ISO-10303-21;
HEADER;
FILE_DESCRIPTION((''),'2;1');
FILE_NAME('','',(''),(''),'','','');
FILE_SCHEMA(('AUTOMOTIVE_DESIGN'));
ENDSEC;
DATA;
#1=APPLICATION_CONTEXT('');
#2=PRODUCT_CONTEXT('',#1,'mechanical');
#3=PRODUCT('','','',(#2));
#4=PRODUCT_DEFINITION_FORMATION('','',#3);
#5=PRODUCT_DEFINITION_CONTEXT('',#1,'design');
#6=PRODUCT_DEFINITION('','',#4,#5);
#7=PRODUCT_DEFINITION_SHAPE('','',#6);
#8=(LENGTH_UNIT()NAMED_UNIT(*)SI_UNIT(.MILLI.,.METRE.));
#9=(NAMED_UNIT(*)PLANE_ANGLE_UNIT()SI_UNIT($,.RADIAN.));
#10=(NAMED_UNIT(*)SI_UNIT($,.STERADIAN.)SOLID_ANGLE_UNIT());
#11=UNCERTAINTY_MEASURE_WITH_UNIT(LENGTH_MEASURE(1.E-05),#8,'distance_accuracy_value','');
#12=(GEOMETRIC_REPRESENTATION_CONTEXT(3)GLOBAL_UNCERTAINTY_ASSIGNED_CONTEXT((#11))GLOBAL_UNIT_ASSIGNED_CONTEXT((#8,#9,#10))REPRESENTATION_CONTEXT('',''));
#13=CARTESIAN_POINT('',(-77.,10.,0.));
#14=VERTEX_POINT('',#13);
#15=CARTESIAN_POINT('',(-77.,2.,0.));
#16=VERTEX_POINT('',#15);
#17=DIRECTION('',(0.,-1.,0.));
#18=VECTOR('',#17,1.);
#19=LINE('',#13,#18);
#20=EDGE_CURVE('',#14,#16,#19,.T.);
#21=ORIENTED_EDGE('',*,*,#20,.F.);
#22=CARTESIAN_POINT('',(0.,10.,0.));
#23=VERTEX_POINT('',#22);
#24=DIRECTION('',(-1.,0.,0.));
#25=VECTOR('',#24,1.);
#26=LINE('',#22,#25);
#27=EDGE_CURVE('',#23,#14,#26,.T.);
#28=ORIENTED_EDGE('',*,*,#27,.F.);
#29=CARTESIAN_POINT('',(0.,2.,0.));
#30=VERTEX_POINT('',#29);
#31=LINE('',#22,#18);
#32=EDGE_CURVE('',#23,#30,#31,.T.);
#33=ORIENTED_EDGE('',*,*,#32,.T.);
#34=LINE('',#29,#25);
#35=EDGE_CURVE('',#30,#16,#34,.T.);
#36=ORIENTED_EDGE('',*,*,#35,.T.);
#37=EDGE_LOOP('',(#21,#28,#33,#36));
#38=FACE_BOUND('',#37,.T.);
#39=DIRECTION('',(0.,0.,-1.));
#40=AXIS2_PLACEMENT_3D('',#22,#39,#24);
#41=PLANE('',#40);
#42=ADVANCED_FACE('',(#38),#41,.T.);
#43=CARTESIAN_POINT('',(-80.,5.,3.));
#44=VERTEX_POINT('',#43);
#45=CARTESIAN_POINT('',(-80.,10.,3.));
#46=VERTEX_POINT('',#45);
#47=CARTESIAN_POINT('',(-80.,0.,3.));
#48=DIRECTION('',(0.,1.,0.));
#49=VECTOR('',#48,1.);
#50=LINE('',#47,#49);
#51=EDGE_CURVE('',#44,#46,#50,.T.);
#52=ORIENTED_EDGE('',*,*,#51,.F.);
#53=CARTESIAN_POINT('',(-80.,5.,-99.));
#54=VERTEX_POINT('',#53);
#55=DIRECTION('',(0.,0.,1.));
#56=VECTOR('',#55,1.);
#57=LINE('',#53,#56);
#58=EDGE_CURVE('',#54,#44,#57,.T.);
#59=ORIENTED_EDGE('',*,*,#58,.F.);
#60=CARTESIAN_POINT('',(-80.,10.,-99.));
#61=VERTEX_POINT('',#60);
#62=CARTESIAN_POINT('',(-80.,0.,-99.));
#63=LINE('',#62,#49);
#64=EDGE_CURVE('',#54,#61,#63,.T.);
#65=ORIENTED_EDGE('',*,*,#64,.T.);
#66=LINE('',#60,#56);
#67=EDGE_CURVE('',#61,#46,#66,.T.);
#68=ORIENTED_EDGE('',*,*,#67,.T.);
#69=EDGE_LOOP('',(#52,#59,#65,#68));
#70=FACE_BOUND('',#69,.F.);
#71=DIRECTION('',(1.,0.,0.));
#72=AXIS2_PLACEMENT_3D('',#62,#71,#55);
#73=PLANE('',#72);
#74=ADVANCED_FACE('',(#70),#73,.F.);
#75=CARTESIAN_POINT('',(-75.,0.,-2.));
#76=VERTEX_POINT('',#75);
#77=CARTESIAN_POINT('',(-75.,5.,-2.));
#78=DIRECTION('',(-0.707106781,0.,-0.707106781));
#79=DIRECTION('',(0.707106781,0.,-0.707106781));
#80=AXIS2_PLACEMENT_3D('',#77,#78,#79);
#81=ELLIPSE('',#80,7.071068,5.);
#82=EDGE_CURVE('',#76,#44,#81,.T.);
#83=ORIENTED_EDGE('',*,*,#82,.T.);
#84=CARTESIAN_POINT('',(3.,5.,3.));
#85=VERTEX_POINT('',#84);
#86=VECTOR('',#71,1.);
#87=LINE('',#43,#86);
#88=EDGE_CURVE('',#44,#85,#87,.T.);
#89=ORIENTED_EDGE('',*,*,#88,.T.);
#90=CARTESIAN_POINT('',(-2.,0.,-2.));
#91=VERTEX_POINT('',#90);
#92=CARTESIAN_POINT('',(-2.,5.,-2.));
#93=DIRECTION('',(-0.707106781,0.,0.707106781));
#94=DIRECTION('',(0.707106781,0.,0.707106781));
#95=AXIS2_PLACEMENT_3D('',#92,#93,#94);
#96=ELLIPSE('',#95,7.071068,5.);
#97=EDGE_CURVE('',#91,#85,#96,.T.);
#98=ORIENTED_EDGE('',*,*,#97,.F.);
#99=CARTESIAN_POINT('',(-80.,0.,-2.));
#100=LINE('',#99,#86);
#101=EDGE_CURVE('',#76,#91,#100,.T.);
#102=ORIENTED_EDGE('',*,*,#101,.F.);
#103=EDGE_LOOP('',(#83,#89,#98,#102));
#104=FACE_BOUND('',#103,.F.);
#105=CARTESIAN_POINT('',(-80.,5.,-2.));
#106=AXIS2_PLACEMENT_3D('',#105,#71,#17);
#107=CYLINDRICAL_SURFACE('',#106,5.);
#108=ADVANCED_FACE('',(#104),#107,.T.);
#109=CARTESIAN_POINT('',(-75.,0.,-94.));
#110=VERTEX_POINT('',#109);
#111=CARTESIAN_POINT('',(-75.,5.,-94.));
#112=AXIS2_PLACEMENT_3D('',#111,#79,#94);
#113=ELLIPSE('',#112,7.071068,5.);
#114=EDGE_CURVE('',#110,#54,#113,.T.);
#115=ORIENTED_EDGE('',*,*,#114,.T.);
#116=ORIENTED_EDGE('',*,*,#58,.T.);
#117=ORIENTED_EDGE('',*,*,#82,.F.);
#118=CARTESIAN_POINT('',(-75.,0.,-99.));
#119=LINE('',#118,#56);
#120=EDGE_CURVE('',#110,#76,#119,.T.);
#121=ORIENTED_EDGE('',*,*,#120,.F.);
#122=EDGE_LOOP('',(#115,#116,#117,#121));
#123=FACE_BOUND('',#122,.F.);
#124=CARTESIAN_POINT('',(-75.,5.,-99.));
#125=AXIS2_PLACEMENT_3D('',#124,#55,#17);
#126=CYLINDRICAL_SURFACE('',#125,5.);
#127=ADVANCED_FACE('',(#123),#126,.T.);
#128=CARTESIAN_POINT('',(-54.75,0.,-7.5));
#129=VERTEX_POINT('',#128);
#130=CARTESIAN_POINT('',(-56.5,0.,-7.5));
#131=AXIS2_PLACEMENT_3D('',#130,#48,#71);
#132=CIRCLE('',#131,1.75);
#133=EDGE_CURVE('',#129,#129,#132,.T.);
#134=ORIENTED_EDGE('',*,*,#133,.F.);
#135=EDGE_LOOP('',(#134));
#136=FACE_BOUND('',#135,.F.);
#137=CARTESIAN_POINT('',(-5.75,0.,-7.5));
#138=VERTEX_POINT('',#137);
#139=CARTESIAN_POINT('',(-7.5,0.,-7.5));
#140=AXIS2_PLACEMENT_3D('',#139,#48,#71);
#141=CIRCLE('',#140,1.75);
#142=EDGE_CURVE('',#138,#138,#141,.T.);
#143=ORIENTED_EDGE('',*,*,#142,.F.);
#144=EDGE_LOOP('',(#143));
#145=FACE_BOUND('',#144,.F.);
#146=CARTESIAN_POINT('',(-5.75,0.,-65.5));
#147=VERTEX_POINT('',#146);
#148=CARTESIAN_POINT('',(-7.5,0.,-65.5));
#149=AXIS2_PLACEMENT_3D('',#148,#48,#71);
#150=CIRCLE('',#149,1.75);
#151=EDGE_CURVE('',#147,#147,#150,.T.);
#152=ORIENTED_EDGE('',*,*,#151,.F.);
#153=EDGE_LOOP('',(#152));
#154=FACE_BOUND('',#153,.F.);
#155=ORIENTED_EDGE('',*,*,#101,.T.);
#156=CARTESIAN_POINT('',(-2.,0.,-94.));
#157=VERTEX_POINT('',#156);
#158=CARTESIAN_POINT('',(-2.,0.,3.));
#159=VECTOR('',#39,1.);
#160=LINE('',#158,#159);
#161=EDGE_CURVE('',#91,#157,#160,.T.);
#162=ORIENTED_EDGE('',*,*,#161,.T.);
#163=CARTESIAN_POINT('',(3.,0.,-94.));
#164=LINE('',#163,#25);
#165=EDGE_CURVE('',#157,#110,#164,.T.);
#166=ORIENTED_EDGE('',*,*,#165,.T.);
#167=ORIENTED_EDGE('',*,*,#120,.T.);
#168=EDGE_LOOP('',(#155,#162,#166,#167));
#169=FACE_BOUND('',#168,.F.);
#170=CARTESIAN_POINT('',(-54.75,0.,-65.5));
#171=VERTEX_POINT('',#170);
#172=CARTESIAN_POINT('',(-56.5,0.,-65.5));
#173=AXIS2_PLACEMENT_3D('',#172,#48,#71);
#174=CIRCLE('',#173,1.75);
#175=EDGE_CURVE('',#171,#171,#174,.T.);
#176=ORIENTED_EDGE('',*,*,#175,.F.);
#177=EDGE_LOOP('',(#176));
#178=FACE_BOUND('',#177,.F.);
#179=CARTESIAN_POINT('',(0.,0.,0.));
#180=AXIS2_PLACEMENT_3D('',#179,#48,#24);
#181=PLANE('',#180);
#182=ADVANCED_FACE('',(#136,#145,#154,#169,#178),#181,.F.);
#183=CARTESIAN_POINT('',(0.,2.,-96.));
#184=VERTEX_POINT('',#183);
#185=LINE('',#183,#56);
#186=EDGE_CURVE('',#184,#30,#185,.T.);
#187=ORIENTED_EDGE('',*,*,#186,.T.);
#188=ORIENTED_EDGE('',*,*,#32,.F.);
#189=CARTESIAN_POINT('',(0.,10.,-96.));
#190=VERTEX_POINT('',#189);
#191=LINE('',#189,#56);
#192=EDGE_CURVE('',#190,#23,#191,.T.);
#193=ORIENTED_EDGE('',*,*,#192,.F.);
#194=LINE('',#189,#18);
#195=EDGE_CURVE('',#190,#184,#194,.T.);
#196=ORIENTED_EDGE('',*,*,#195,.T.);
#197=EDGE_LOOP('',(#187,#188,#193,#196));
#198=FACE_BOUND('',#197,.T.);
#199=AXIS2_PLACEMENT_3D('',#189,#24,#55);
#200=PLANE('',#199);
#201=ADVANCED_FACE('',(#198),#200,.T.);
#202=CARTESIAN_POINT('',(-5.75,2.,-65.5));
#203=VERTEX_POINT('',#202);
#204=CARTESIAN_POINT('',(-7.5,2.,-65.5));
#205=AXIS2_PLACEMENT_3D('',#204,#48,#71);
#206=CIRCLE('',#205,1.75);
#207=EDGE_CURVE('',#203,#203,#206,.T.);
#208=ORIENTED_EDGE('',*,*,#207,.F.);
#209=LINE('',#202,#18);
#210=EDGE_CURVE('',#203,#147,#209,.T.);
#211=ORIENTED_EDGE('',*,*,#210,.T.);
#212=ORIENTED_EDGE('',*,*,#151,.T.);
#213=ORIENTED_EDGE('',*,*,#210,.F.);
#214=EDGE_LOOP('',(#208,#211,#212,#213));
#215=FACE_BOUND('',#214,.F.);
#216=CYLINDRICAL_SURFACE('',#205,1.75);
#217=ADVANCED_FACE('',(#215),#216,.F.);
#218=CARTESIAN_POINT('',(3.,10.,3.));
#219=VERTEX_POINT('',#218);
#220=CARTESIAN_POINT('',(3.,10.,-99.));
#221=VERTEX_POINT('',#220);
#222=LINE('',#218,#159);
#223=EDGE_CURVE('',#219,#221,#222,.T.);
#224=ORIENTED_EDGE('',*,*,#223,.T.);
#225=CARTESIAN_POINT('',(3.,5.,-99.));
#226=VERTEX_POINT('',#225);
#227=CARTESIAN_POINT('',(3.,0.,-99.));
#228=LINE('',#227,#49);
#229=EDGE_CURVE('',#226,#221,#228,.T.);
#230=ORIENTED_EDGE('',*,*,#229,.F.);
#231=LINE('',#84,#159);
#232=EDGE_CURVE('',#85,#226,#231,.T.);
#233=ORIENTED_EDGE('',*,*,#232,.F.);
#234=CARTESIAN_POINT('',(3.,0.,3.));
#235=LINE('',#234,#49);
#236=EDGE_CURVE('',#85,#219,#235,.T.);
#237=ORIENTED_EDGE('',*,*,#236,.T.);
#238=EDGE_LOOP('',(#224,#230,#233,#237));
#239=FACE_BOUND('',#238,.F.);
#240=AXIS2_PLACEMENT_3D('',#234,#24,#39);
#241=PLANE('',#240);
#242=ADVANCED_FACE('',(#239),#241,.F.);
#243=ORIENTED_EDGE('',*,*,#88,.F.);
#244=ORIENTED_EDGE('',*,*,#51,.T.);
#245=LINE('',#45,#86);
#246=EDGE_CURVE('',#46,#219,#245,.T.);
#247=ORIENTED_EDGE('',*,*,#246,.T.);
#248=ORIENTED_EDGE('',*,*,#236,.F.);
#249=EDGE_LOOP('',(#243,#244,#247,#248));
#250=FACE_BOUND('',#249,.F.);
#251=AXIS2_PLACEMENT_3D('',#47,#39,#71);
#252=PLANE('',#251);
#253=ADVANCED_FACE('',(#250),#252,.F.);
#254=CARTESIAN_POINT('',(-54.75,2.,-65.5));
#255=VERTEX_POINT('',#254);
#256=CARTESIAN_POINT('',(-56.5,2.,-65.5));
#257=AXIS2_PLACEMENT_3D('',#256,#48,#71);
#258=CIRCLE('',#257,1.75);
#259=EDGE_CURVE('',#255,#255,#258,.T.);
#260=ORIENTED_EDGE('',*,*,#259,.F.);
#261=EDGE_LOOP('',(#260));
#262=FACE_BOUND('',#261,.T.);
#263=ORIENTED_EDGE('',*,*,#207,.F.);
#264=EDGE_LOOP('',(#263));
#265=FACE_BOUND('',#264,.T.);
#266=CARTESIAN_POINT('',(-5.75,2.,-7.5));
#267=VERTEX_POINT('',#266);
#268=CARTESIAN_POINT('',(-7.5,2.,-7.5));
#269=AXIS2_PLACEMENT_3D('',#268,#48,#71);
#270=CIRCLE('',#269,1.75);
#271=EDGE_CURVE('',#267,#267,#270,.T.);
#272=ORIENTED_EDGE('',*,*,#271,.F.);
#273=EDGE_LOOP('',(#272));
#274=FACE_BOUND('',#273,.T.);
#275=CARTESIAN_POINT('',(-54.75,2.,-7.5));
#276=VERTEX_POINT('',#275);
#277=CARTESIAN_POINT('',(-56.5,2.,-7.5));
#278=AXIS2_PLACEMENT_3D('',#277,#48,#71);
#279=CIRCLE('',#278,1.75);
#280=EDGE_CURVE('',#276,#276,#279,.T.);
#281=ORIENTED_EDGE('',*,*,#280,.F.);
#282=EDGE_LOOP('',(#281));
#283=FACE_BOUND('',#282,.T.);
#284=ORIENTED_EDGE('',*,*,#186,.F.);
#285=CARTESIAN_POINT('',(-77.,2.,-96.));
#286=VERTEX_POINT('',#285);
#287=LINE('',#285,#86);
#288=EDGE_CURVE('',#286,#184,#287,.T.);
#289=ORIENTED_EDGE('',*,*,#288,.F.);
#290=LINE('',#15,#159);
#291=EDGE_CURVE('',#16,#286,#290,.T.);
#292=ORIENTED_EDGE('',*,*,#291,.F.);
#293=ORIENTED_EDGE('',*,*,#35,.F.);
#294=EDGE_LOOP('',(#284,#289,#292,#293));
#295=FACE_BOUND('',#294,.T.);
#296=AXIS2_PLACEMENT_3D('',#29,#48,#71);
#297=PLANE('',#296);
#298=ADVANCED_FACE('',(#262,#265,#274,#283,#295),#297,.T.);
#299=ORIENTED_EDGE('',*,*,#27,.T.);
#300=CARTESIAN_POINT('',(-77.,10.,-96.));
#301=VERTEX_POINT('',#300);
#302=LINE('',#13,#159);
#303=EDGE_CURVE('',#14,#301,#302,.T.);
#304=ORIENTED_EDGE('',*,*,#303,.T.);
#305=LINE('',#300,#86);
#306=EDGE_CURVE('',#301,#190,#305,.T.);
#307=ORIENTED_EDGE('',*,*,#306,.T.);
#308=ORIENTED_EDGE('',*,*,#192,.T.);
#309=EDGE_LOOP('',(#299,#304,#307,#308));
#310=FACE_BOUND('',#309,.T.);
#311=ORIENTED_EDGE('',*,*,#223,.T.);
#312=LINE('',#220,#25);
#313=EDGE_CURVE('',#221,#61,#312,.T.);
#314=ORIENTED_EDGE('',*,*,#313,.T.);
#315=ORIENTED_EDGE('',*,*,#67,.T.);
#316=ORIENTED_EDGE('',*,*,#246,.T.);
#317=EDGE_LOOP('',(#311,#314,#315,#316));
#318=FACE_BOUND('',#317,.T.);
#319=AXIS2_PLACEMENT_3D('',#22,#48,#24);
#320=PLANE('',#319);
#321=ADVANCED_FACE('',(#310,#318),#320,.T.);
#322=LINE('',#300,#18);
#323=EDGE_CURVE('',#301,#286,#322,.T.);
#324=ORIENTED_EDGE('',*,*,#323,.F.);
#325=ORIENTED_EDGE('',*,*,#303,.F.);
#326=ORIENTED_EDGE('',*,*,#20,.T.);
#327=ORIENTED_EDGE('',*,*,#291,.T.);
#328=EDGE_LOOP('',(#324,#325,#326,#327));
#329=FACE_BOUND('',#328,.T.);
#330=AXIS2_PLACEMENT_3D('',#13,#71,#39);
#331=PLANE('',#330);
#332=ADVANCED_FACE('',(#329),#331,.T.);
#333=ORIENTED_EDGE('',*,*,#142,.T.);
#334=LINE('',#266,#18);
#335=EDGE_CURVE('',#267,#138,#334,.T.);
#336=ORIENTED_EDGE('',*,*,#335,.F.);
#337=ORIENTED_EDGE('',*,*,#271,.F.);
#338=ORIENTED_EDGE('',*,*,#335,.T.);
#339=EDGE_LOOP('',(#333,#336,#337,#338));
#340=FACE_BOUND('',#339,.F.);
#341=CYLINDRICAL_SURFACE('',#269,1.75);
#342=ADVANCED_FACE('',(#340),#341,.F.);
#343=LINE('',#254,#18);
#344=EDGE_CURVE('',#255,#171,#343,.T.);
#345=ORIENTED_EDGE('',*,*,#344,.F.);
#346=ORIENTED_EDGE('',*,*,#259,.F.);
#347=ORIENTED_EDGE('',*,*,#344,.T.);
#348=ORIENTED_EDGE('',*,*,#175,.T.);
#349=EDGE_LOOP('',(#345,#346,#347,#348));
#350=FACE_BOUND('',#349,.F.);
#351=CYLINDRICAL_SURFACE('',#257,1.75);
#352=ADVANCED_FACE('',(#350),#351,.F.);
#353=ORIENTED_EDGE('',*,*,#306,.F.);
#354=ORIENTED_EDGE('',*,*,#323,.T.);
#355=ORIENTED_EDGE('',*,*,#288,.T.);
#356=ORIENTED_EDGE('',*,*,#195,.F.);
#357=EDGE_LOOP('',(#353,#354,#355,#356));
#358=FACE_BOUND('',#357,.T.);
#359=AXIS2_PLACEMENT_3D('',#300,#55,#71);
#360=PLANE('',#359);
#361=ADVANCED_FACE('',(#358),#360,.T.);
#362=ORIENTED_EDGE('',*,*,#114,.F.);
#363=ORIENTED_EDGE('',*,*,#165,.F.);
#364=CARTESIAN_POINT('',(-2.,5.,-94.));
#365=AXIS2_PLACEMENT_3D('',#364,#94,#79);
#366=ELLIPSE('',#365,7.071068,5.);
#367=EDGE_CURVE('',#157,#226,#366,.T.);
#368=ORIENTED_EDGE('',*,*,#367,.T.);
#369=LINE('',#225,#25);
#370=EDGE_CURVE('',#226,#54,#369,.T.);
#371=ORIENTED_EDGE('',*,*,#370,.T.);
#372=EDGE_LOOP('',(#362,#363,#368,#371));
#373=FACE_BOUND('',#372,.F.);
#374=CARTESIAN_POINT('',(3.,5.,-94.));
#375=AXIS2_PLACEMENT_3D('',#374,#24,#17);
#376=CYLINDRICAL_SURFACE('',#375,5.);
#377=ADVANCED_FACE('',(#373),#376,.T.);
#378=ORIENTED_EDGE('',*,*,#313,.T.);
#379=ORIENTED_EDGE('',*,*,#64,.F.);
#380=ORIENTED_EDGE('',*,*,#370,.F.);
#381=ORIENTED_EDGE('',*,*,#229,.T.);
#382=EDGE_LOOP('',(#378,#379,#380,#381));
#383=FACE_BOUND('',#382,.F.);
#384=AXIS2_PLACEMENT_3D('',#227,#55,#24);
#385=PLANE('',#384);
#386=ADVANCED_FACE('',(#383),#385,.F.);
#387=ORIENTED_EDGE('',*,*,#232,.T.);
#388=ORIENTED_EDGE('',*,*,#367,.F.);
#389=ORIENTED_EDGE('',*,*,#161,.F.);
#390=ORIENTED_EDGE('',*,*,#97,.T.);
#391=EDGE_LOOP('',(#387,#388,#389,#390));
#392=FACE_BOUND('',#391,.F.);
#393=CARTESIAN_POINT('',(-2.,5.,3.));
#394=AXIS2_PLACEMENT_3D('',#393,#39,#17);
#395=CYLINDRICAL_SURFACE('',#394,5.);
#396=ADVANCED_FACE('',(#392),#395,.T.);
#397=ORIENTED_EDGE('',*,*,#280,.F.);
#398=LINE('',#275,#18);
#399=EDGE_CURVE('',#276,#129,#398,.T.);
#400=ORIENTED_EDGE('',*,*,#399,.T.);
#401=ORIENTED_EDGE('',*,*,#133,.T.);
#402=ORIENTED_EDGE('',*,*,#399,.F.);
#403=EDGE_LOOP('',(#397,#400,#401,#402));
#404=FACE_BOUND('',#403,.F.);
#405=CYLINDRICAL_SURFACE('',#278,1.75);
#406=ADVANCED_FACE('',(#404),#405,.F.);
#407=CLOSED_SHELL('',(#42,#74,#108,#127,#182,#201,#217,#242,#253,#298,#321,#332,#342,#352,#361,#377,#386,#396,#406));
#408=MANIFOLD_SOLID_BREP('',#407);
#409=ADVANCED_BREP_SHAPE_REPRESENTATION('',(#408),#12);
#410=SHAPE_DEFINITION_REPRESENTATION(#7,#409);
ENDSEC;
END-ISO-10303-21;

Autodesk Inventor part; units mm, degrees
ref_plane "YZ Plane" through (0, 0, 0) normal (1, 0, 0) x (0, 1, 0)
ref_plane "XZ Plane" through (0, 0, 0) normal (0, 1, 0) x (-1, 0, 0)
ref_plane "XY Plane" through (0, 0, 0) normal (0, 0, 1) x (1, 0, 0)
sketch "Sketch1" plane through (0, 0, 0) normal (0, 1, 0) x (-1, 0, 0)
  line L0 (0, 0) -> (77, 0)
  line L1 (77, 0) -> (77, -96)
  line L2 (77, -96) -> (0, -96)
  line L3 (0, -96) -> (0, 0)
  line L4 (80, -99) -> (80, 3)
  line L5 (80, 3) -> (-3, 3)
  line L6 (-3, 3) -> (-3, -99)
  line L7 (-3, -99) -> (80, -99)
  dimension "d0" = 77
  dimension "d1" = 96
  dimension "d2" = 3
extrude "Extrusion1" add sketch "Sketch1" along normal blind 10 contours L0 L1 L2 L3 | L7 L6 L5 L4
sketch "Sketch2" plane through (0, 10, 0) normal (0, 1, 0) x (1, 0, 0)
  line L0 (0, 0) -> (-77, 0)
  line L1 (-77, 0) -> (-77, 96)
  line L2 (-77, 96) -> (0, 96)
  line L3 (0, 96) -> (0, 0)
  dimension "d5" = 77
  dimension "d6" = 96
extrude "Extrusion2" cut sketch "Sketch2" against normal blind 8
sketch "Sketch3" plane through (0, 2, 0) normal (0, 1, 0) x (1, 0, 0)
  line L0 (0, 96) -> (0, 0) projected
  line L1 (0, 0) -> (0, 7.5)
  line L2 (0, 7.5) -> (-7.5, 7.5)
  circle A0 centre (-7.5, 7.5) radius 1.75
  circle A1 centre (-7.5, 65.5) radius 1.75
  circle A2 centre (-56.5, 7.5) radius 1.75
  circle A3 centre (-56.5, 65.5) radius 1.75
  dimension "d9" = 7.5
  dimension "d10" = 7.5
  dimension "d11" = 3.5
  dimension "d14" = 58
  dimension "d17" = 49
extrude "Extrusion3" cut sketch "Sketch3" against normal blind 3
fillet "Fillet1" radius 5 4 edges at (-38.5, 0, 3) (-80, 0, -48) (3, 0, -48) (-38.5, 0, -99)
properties part number "MainPCB_RPI_Top"
